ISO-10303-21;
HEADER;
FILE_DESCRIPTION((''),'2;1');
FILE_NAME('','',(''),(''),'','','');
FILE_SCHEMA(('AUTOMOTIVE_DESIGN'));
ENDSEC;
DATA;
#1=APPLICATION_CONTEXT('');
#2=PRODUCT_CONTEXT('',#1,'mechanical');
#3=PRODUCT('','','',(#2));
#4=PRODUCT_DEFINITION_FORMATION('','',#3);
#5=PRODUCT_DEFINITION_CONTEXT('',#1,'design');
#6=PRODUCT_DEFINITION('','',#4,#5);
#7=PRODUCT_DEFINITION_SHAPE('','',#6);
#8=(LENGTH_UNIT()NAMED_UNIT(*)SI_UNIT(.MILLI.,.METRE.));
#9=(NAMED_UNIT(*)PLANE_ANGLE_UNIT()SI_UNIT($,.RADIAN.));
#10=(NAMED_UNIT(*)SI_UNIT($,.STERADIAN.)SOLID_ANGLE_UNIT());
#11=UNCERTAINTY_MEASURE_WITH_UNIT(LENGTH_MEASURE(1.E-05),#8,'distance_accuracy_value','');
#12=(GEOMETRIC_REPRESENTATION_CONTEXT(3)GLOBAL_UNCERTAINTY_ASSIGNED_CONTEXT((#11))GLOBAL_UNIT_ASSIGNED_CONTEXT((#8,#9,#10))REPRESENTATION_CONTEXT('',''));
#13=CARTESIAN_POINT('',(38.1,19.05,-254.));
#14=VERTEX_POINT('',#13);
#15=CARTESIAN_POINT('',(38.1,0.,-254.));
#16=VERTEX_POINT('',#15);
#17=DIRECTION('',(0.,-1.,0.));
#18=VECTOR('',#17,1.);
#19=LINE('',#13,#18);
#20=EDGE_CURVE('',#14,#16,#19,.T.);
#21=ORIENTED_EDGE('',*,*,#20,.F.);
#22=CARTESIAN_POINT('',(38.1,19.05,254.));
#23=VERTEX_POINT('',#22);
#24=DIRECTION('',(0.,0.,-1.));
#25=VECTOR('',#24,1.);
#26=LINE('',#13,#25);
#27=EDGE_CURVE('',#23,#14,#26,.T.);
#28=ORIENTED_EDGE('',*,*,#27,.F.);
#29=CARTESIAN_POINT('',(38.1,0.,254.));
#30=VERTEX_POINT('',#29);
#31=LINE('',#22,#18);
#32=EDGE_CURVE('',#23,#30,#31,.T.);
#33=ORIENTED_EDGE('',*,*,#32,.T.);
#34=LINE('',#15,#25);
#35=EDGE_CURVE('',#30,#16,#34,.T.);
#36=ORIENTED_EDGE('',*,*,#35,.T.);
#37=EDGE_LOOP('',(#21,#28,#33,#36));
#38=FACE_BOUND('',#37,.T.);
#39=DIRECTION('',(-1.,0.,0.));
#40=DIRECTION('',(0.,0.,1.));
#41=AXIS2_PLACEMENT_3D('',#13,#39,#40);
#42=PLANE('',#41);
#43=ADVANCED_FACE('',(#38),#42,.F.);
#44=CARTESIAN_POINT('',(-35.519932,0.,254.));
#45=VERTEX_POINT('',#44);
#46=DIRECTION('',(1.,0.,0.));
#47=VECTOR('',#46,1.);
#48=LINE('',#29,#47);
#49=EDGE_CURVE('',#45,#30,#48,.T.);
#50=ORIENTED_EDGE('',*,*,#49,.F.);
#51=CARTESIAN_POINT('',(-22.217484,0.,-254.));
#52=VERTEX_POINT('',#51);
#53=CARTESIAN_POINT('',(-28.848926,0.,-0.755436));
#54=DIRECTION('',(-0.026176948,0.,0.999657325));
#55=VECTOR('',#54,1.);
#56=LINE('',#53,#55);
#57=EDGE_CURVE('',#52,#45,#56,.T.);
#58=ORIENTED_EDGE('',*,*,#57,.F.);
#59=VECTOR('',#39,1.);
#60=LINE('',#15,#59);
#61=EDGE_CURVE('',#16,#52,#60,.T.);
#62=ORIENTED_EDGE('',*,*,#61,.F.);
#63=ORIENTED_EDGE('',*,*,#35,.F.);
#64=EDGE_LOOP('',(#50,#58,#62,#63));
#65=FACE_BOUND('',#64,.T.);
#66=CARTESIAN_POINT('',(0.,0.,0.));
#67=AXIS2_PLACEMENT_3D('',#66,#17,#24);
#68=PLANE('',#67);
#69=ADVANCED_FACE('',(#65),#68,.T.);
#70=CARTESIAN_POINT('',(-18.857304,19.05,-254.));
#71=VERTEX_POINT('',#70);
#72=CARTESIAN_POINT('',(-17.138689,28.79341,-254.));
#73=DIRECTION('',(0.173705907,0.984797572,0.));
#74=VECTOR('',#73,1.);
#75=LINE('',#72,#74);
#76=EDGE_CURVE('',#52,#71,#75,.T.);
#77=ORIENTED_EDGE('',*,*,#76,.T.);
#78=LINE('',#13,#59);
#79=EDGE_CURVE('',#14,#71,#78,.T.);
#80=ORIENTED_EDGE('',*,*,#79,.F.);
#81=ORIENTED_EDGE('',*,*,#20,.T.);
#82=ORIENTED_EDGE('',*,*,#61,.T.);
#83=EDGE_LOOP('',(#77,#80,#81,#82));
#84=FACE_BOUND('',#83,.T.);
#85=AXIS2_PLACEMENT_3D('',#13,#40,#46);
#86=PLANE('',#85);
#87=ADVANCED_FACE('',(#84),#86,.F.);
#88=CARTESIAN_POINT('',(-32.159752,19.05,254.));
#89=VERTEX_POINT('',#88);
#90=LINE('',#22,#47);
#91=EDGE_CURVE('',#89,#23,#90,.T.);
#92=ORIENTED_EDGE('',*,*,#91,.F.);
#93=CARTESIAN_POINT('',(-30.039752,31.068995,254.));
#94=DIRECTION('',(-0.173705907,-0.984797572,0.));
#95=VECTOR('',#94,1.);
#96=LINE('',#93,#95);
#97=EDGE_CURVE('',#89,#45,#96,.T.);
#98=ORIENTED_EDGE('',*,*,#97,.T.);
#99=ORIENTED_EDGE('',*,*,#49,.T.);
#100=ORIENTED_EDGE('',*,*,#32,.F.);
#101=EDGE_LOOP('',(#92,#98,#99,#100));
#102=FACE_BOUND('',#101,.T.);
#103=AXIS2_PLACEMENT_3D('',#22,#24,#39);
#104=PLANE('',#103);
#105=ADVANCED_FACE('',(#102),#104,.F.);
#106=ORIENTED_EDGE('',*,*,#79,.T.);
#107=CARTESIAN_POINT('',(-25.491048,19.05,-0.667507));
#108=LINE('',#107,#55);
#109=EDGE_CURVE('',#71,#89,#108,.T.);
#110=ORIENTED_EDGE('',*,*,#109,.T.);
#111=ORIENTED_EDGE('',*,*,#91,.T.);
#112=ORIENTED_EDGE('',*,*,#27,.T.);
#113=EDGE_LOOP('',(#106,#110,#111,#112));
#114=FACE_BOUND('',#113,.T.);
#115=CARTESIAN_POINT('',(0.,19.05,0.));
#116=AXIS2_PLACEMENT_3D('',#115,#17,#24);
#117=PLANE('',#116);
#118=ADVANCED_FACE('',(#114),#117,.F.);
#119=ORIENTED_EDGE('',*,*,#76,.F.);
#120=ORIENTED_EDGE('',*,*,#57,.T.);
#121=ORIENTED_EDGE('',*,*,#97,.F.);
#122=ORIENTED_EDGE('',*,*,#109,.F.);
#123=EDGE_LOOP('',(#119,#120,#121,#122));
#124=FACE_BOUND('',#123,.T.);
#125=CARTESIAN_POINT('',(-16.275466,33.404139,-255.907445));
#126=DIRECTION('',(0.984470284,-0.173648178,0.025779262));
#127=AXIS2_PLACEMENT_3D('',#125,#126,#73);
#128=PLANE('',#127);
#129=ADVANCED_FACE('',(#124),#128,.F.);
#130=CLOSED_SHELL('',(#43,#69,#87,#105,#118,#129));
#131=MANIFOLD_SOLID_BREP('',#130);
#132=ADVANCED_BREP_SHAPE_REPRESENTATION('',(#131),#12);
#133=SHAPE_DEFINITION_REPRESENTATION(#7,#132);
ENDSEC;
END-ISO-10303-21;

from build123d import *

# Parameters (mm, degrees)
SKETCH1_W               = 76.2
SKETCH1_H               = 508
BOSS_EXTRUDE1_DEPTH     = 19.05
CUT_EXTRUDE1_DEPTH      = 294.7685785
CUT_EXTRUDE1_DEPTH_BACK = 294.7685785
SKETCH2_W               = 2.54
SKETCH2_H               = 127


with BuildPart() as part:
    # Sketch1 → Boss-Extrude1 (new body)
    with BuildSketch(Plane(origin=(0, 0, 0), x_dir=(1, 0, 0), z_dir=(0, 1, 0))):
        Rectangle(SKETCH1_W, SKETCH1_H)
    extrude(amount=BOSS_EXTRUDE1_DEPTH)

    # Sketch2 → Cut-Extrude1 (cut, two sides: drawn at the far end of the back side and taken through both)
    with BuildSketch(Plane(origin=(71.418451956, -42.231341714, 11.613033477), x_dir=(0.9844702839913745, -0.1736481776669235, 0.025779261643793124), z_dir=(-0.022593572510051476, 0.020297753345166498, 0.9995386594276241)).offset(-CUT_EXTRUDE1_DEPTH_BACK)):
        with Locations((-107.6325, 0)):
            Rectangle(SKETCH2_W, SKETCH2_H)
    extrude(amount=CUT_EXTRUDE1_DEPTH + CUT_EXTRUDE1_DEPTH_BACK, mode=Mode.SUBTRACT)


with BuildPart() as cut_extrude1_kept_piece:
    # of the separate pieces the step leaves, the one the design keeps (cut_extrude1_pieces_kept)
    add(part.part.solids().sort_by_distance((38.1, 0, -254))[0])


solid = cut_extrude1_kept_piece.part
